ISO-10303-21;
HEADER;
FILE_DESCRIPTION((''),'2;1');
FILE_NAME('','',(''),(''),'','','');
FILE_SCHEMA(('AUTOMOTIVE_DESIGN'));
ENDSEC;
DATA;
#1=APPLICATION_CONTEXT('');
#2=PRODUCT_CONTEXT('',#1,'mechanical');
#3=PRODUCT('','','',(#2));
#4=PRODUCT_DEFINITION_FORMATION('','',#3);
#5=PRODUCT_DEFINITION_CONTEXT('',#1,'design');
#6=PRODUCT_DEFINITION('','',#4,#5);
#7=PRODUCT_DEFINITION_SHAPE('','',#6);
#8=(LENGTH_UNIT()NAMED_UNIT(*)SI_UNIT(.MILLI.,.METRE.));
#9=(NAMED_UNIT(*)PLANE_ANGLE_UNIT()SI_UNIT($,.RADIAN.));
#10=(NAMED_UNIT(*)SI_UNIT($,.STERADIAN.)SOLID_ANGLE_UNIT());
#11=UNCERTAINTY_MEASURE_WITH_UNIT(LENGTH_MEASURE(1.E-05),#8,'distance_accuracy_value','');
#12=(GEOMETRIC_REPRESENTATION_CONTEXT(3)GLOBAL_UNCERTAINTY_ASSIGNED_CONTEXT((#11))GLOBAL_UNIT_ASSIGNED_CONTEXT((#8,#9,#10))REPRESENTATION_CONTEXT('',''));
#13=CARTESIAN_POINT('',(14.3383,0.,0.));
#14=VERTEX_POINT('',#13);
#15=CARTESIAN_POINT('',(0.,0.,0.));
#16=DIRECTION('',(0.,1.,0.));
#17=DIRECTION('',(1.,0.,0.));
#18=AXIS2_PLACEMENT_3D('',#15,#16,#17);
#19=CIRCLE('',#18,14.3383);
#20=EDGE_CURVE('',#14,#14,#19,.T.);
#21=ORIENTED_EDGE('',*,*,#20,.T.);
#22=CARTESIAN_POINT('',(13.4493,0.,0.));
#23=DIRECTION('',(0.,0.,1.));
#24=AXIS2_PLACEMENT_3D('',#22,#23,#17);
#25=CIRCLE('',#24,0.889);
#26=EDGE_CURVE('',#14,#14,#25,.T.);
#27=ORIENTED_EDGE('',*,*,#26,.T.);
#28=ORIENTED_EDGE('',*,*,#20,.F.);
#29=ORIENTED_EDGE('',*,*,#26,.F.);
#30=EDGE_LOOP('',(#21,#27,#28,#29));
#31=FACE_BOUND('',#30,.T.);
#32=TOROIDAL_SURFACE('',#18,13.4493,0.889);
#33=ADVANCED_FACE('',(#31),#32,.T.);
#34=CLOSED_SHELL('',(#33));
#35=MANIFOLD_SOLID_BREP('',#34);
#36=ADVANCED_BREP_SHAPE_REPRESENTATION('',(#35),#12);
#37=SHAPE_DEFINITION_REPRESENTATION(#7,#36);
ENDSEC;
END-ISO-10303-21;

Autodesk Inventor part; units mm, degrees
ref_plane "YZ Plane" through (0, 0, 0) normal (1, 0, 0) x (0, 1, 0)
ref_plane "XZ Plane" through (0, 0, 0) normal (0, 1, 0) x (-1, 0, 0)
ref_plane "XY Plane" through (0, 0, 0) normal (0, 0, 1) x (1, 0, 0)
sketch "Sketch1" plane through (0, 0, 0) normal (0, 0, 1) x (1, 0, 0)
  circle A0 centre (13.4493, 0) radius 0.889
  line L0 (0, -1.2446) -> (0, 1.2446) projected
  point P0 (0, 0)
  dimension "d0" = 1.778
  dimension "d1" = 13.4493
revolve "Revolution1" add sketch "Sketch1" angle 360 about axis through (0, -10, 0) along (0, 1, 0)
properties part number "#22 O-ring" material "Thermoplastic Resin"
